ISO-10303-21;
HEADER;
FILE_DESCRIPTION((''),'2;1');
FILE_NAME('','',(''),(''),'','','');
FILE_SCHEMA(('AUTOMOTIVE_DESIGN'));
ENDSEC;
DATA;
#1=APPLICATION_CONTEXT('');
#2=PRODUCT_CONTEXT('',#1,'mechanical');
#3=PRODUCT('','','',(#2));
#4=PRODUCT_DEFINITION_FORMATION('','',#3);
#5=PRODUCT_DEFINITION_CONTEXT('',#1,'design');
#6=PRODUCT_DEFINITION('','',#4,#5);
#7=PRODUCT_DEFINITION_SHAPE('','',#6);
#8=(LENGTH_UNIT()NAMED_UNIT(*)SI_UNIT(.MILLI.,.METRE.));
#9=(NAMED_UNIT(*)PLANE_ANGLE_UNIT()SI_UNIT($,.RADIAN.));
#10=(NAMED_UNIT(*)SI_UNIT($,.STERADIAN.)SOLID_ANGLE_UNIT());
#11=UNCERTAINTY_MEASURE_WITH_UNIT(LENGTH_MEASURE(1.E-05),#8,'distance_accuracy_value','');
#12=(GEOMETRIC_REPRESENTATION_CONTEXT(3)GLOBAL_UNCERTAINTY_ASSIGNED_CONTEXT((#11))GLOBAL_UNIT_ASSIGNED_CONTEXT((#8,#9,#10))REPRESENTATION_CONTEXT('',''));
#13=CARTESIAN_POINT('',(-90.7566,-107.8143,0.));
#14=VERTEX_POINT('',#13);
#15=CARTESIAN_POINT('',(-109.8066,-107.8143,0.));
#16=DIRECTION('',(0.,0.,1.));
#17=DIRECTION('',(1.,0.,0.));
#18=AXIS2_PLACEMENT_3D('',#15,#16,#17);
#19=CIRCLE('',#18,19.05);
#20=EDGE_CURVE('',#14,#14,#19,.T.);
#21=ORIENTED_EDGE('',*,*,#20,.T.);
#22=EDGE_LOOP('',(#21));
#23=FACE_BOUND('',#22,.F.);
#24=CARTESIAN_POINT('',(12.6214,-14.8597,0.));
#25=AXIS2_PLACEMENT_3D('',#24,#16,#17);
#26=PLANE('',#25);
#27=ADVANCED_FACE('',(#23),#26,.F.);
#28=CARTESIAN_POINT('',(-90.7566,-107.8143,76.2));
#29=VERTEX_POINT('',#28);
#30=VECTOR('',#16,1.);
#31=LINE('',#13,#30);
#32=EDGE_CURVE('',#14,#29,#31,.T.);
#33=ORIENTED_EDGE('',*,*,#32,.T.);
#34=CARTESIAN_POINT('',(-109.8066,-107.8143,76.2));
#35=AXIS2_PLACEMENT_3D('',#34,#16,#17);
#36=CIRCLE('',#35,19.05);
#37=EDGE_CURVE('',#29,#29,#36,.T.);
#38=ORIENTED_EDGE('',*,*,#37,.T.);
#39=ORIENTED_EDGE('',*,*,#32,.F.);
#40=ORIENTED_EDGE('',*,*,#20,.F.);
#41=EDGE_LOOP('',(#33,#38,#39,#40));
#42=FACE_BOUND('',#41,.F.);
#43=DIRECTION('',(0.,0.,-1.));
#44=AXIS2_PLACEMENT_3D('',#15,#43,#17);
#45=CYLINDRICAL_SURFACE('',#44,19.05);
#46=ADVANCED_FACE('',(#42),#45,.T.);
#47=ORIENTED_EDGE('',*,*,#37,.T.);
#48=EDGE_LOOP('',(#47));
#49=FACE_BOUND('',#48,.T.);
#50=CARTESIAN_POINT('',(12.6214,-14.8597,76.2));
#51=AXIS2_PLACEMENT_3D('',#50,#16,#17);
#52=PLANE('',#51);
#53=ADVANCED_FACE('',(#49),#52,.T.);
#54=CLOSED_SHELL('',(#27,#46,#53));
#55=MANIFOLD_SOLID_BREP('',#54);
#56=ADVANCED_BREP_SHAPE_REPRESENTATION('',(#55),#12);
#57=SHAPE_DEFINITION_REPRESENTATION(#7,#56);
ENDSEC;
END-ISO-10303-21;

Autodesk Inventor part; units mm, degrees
ref_plane "YZ Plane" through (0, 0, 0) normal (1, 0, 0) x (0, 1, 0)
ref_plane "XZ Plane" through (0, 0, 0) normal (0, 1, 0) x (-1, 0, 0)
ref_plane "Work Plane1" through (12.6214, -14.8597, 0) normal (0, 0, 1) x (1, 0, 0)
sketch "Sketch1" plane through (12.6214, -14.8597, 0) normal (0, 0, 1) x (1, 0, 0)
  circle A0 centre (-122.428, -92.9546) radius 19.05
  point P0 (-12.6214, 14.8597)
  dimension "d0" = 38.1
extrude "Extrusion1" add sketch "Sketch1" along normal blind 76.2
properties part number "peg"
